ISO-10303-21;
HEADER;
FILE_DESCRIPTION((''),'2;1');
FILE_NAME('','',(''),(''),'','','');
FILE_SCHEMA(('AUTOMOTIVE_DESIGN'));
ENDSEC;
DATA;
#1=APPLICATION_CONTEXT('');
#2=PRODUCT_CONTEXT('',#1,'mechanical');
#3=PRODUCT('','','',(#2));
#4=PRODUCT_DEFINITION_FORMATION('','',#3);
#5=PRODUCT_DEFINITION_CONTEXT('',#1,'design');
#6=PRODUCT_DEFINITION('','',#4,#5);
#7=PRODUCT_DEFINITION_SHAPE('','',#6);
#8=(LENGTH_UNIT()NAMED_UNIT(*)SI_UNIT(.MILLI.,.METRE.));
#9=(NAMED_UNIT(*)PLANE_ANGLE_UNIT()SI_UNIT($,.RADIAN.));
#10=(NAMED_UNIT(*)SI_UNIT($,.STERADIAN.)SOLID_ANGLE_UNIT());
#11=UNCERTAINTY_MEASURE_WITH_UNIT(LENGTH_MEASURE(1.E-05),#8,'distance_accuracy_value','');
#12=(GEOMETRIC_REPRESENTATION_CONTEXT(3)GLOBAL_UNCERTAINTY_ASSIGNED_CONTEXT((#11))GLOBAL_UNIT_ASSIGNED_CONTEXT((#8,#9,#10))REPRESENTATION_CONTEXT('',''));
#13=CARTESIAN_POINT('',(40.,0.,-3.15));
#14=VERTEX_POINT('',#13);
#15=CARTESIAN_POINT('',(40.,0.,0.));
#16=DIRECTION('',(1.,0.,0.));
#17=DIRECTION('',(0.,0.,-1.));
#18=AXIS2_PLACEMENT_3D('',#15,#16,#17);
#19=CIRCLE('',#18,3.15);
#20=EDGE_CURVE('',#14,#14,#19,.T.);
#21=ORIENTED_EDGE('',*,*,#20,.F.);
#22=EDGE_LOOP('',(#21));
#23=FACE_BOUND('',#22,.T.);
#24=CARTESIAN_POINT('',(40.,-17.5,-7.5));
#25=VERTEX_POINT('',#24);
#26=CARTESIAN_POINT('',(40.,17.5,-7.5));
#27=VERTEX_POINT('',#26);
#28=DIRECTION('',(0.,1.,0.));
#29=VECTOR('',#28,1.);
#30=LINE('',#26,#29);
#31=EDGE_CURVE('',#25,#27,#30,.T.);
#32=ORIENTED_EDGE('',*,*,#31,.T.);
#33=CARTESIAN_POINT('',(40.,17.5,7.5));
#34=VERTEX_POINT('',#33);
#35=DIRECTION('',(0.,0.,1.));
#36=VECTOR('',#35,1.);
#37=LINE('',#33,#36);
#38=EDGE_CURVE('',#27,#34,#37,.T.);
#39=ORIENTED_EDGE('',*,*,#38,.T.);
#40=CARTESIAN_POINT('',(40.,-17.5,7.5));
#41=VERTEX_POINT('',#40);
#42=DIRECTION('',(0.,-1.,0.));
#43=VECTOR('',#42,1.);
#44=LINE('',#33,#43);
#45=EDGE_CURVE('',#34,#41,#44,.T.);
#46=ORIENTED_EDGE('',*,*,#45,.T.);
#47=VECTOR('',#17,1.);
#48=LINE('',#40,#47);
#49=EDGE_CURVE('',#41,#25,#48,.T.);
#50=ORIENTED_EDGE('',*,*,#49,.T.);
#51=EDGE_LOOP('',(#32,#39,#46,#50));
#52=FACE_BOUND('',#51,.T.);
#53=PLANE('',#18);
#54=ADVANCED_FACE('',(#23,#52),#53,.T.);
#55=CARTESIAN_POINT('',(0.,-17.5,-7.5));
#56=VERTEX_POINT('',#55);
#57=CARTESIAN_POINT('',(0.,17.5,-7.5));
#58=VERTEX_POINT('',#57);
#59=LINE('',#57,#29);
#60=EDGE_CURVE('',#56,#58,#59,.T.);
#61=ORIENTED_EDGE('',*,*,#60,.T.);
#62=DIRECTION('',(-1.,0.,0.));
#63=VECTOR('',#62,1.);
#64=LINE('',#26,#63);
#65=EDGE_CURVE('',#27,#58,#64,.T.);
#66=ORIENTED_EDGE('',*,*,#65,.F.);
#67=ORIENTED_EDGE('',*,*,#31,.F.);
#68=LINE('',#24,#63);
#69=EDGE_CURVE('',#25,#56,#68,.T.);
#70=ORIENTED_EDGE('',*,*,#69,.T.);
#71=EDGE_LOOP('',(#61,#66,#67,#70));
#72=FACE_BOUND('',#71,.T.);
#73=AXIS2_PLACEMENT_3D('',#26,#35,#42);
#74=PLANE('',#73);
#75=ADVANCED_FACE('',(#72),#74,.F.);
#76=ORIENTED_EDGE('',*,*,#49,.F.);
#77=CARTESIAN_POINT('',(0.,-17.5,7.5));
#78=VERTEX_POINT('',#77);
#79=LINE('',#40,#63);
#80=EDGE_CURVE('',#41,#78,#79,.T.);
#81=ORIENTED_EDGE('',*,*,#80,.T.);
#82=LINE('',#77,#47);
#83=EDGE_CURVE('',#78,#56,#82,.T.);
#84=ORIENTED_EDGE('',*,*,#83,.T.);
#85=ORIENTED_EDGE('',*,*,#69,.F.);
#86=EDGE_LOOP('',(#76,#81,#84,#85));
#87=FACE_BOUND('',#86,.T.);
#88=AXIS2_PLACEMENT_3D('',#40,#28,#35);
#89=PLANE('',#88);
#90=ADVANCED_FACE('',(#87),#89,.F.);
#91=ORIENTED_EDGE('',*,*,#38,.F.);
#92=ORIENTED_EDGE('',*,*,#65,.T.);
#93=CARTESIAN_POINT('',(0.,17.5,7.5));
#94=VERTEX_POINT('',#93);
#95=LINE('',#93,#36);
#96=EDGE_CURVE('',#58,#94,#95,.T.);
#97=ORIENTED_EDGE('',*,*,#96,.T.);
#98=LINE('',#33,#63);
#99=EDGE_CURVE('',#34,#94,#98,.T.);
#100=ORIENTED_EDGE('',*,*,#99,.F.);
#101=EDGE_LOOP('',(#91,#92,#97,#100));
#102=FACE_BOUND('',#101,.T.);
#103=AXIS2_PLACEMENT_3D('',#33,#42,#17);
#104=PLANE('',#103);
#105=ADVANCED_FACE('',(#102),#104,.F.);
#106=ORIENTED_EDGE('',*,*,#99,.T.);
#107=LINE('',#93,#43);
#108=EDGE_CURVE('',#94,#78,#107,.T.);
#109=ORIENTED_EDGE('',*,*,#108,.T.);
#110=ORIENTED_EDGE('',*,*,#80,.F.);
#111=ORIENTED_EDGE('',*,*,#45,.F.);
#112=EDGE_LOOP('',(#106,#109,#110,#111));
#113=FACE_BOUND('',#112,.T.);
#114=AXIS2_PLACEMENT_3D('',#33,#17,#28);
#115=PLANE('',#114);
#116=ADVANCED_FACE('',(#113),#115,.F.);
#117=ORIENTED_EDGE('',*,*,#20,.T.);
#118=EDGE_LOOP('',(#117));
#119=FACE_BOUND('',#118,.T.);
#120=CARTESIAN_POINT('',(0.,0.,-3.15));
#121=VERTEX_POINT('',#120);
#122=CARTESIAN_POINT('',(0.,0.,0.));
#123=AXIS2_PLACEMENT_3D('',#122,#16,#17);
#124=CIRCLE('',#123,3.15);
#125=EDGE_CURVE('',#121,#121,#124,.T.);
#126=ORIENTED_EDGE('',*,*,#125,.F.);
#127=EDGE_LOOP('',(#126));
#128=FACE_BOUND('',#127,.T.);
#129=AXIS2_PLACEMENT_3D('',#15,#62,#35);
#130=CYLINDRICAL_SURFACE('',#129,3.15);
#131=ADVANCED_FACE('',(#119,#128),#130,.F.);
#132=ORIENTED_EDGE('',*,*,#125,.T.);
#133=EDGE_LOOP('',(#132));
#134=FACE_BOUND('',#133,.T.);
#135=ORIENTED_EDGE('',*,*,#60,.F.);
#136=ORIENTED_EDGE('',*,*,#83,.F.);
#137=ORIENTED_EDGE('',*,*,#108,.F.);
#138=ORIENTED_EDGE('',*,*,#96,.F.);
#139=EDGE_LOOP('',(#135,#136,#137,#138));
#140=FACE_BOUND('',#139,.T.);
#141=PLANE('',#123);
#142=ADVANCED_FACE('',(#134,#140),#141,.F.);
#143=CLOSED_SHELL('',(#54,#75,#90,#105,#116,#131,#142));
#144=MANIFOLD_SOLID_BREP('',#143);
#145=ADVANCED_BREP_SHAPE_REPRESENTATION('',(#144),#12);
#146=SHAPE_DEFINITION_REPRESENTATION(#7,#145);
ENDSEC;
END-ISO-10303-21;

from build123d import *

# Parameters (mm, degrees)
SKETCH1_W           = 15
SKETCH1_H           = 35
SKETCH1_R           = 3.15
BOSS_EXTRUDE1_DEPTH = 40


with BuildPart() as part:
    # Sketch1 → Boss-Extrude1 (new body)
    with BuildSketch(Plane(origin=(0, 0, 0), x_dir=(0, 0, -1), z_dir=(1, 0, 0))):
        Rectangle(SKETCH1_W, SKETCH1_H)
        Circle(SKETCH1_R, mode=Mode.SUBTRACT)
    extrude(amount=BOSS_EXTRUDE1_DEPTH)


solid = part.part
